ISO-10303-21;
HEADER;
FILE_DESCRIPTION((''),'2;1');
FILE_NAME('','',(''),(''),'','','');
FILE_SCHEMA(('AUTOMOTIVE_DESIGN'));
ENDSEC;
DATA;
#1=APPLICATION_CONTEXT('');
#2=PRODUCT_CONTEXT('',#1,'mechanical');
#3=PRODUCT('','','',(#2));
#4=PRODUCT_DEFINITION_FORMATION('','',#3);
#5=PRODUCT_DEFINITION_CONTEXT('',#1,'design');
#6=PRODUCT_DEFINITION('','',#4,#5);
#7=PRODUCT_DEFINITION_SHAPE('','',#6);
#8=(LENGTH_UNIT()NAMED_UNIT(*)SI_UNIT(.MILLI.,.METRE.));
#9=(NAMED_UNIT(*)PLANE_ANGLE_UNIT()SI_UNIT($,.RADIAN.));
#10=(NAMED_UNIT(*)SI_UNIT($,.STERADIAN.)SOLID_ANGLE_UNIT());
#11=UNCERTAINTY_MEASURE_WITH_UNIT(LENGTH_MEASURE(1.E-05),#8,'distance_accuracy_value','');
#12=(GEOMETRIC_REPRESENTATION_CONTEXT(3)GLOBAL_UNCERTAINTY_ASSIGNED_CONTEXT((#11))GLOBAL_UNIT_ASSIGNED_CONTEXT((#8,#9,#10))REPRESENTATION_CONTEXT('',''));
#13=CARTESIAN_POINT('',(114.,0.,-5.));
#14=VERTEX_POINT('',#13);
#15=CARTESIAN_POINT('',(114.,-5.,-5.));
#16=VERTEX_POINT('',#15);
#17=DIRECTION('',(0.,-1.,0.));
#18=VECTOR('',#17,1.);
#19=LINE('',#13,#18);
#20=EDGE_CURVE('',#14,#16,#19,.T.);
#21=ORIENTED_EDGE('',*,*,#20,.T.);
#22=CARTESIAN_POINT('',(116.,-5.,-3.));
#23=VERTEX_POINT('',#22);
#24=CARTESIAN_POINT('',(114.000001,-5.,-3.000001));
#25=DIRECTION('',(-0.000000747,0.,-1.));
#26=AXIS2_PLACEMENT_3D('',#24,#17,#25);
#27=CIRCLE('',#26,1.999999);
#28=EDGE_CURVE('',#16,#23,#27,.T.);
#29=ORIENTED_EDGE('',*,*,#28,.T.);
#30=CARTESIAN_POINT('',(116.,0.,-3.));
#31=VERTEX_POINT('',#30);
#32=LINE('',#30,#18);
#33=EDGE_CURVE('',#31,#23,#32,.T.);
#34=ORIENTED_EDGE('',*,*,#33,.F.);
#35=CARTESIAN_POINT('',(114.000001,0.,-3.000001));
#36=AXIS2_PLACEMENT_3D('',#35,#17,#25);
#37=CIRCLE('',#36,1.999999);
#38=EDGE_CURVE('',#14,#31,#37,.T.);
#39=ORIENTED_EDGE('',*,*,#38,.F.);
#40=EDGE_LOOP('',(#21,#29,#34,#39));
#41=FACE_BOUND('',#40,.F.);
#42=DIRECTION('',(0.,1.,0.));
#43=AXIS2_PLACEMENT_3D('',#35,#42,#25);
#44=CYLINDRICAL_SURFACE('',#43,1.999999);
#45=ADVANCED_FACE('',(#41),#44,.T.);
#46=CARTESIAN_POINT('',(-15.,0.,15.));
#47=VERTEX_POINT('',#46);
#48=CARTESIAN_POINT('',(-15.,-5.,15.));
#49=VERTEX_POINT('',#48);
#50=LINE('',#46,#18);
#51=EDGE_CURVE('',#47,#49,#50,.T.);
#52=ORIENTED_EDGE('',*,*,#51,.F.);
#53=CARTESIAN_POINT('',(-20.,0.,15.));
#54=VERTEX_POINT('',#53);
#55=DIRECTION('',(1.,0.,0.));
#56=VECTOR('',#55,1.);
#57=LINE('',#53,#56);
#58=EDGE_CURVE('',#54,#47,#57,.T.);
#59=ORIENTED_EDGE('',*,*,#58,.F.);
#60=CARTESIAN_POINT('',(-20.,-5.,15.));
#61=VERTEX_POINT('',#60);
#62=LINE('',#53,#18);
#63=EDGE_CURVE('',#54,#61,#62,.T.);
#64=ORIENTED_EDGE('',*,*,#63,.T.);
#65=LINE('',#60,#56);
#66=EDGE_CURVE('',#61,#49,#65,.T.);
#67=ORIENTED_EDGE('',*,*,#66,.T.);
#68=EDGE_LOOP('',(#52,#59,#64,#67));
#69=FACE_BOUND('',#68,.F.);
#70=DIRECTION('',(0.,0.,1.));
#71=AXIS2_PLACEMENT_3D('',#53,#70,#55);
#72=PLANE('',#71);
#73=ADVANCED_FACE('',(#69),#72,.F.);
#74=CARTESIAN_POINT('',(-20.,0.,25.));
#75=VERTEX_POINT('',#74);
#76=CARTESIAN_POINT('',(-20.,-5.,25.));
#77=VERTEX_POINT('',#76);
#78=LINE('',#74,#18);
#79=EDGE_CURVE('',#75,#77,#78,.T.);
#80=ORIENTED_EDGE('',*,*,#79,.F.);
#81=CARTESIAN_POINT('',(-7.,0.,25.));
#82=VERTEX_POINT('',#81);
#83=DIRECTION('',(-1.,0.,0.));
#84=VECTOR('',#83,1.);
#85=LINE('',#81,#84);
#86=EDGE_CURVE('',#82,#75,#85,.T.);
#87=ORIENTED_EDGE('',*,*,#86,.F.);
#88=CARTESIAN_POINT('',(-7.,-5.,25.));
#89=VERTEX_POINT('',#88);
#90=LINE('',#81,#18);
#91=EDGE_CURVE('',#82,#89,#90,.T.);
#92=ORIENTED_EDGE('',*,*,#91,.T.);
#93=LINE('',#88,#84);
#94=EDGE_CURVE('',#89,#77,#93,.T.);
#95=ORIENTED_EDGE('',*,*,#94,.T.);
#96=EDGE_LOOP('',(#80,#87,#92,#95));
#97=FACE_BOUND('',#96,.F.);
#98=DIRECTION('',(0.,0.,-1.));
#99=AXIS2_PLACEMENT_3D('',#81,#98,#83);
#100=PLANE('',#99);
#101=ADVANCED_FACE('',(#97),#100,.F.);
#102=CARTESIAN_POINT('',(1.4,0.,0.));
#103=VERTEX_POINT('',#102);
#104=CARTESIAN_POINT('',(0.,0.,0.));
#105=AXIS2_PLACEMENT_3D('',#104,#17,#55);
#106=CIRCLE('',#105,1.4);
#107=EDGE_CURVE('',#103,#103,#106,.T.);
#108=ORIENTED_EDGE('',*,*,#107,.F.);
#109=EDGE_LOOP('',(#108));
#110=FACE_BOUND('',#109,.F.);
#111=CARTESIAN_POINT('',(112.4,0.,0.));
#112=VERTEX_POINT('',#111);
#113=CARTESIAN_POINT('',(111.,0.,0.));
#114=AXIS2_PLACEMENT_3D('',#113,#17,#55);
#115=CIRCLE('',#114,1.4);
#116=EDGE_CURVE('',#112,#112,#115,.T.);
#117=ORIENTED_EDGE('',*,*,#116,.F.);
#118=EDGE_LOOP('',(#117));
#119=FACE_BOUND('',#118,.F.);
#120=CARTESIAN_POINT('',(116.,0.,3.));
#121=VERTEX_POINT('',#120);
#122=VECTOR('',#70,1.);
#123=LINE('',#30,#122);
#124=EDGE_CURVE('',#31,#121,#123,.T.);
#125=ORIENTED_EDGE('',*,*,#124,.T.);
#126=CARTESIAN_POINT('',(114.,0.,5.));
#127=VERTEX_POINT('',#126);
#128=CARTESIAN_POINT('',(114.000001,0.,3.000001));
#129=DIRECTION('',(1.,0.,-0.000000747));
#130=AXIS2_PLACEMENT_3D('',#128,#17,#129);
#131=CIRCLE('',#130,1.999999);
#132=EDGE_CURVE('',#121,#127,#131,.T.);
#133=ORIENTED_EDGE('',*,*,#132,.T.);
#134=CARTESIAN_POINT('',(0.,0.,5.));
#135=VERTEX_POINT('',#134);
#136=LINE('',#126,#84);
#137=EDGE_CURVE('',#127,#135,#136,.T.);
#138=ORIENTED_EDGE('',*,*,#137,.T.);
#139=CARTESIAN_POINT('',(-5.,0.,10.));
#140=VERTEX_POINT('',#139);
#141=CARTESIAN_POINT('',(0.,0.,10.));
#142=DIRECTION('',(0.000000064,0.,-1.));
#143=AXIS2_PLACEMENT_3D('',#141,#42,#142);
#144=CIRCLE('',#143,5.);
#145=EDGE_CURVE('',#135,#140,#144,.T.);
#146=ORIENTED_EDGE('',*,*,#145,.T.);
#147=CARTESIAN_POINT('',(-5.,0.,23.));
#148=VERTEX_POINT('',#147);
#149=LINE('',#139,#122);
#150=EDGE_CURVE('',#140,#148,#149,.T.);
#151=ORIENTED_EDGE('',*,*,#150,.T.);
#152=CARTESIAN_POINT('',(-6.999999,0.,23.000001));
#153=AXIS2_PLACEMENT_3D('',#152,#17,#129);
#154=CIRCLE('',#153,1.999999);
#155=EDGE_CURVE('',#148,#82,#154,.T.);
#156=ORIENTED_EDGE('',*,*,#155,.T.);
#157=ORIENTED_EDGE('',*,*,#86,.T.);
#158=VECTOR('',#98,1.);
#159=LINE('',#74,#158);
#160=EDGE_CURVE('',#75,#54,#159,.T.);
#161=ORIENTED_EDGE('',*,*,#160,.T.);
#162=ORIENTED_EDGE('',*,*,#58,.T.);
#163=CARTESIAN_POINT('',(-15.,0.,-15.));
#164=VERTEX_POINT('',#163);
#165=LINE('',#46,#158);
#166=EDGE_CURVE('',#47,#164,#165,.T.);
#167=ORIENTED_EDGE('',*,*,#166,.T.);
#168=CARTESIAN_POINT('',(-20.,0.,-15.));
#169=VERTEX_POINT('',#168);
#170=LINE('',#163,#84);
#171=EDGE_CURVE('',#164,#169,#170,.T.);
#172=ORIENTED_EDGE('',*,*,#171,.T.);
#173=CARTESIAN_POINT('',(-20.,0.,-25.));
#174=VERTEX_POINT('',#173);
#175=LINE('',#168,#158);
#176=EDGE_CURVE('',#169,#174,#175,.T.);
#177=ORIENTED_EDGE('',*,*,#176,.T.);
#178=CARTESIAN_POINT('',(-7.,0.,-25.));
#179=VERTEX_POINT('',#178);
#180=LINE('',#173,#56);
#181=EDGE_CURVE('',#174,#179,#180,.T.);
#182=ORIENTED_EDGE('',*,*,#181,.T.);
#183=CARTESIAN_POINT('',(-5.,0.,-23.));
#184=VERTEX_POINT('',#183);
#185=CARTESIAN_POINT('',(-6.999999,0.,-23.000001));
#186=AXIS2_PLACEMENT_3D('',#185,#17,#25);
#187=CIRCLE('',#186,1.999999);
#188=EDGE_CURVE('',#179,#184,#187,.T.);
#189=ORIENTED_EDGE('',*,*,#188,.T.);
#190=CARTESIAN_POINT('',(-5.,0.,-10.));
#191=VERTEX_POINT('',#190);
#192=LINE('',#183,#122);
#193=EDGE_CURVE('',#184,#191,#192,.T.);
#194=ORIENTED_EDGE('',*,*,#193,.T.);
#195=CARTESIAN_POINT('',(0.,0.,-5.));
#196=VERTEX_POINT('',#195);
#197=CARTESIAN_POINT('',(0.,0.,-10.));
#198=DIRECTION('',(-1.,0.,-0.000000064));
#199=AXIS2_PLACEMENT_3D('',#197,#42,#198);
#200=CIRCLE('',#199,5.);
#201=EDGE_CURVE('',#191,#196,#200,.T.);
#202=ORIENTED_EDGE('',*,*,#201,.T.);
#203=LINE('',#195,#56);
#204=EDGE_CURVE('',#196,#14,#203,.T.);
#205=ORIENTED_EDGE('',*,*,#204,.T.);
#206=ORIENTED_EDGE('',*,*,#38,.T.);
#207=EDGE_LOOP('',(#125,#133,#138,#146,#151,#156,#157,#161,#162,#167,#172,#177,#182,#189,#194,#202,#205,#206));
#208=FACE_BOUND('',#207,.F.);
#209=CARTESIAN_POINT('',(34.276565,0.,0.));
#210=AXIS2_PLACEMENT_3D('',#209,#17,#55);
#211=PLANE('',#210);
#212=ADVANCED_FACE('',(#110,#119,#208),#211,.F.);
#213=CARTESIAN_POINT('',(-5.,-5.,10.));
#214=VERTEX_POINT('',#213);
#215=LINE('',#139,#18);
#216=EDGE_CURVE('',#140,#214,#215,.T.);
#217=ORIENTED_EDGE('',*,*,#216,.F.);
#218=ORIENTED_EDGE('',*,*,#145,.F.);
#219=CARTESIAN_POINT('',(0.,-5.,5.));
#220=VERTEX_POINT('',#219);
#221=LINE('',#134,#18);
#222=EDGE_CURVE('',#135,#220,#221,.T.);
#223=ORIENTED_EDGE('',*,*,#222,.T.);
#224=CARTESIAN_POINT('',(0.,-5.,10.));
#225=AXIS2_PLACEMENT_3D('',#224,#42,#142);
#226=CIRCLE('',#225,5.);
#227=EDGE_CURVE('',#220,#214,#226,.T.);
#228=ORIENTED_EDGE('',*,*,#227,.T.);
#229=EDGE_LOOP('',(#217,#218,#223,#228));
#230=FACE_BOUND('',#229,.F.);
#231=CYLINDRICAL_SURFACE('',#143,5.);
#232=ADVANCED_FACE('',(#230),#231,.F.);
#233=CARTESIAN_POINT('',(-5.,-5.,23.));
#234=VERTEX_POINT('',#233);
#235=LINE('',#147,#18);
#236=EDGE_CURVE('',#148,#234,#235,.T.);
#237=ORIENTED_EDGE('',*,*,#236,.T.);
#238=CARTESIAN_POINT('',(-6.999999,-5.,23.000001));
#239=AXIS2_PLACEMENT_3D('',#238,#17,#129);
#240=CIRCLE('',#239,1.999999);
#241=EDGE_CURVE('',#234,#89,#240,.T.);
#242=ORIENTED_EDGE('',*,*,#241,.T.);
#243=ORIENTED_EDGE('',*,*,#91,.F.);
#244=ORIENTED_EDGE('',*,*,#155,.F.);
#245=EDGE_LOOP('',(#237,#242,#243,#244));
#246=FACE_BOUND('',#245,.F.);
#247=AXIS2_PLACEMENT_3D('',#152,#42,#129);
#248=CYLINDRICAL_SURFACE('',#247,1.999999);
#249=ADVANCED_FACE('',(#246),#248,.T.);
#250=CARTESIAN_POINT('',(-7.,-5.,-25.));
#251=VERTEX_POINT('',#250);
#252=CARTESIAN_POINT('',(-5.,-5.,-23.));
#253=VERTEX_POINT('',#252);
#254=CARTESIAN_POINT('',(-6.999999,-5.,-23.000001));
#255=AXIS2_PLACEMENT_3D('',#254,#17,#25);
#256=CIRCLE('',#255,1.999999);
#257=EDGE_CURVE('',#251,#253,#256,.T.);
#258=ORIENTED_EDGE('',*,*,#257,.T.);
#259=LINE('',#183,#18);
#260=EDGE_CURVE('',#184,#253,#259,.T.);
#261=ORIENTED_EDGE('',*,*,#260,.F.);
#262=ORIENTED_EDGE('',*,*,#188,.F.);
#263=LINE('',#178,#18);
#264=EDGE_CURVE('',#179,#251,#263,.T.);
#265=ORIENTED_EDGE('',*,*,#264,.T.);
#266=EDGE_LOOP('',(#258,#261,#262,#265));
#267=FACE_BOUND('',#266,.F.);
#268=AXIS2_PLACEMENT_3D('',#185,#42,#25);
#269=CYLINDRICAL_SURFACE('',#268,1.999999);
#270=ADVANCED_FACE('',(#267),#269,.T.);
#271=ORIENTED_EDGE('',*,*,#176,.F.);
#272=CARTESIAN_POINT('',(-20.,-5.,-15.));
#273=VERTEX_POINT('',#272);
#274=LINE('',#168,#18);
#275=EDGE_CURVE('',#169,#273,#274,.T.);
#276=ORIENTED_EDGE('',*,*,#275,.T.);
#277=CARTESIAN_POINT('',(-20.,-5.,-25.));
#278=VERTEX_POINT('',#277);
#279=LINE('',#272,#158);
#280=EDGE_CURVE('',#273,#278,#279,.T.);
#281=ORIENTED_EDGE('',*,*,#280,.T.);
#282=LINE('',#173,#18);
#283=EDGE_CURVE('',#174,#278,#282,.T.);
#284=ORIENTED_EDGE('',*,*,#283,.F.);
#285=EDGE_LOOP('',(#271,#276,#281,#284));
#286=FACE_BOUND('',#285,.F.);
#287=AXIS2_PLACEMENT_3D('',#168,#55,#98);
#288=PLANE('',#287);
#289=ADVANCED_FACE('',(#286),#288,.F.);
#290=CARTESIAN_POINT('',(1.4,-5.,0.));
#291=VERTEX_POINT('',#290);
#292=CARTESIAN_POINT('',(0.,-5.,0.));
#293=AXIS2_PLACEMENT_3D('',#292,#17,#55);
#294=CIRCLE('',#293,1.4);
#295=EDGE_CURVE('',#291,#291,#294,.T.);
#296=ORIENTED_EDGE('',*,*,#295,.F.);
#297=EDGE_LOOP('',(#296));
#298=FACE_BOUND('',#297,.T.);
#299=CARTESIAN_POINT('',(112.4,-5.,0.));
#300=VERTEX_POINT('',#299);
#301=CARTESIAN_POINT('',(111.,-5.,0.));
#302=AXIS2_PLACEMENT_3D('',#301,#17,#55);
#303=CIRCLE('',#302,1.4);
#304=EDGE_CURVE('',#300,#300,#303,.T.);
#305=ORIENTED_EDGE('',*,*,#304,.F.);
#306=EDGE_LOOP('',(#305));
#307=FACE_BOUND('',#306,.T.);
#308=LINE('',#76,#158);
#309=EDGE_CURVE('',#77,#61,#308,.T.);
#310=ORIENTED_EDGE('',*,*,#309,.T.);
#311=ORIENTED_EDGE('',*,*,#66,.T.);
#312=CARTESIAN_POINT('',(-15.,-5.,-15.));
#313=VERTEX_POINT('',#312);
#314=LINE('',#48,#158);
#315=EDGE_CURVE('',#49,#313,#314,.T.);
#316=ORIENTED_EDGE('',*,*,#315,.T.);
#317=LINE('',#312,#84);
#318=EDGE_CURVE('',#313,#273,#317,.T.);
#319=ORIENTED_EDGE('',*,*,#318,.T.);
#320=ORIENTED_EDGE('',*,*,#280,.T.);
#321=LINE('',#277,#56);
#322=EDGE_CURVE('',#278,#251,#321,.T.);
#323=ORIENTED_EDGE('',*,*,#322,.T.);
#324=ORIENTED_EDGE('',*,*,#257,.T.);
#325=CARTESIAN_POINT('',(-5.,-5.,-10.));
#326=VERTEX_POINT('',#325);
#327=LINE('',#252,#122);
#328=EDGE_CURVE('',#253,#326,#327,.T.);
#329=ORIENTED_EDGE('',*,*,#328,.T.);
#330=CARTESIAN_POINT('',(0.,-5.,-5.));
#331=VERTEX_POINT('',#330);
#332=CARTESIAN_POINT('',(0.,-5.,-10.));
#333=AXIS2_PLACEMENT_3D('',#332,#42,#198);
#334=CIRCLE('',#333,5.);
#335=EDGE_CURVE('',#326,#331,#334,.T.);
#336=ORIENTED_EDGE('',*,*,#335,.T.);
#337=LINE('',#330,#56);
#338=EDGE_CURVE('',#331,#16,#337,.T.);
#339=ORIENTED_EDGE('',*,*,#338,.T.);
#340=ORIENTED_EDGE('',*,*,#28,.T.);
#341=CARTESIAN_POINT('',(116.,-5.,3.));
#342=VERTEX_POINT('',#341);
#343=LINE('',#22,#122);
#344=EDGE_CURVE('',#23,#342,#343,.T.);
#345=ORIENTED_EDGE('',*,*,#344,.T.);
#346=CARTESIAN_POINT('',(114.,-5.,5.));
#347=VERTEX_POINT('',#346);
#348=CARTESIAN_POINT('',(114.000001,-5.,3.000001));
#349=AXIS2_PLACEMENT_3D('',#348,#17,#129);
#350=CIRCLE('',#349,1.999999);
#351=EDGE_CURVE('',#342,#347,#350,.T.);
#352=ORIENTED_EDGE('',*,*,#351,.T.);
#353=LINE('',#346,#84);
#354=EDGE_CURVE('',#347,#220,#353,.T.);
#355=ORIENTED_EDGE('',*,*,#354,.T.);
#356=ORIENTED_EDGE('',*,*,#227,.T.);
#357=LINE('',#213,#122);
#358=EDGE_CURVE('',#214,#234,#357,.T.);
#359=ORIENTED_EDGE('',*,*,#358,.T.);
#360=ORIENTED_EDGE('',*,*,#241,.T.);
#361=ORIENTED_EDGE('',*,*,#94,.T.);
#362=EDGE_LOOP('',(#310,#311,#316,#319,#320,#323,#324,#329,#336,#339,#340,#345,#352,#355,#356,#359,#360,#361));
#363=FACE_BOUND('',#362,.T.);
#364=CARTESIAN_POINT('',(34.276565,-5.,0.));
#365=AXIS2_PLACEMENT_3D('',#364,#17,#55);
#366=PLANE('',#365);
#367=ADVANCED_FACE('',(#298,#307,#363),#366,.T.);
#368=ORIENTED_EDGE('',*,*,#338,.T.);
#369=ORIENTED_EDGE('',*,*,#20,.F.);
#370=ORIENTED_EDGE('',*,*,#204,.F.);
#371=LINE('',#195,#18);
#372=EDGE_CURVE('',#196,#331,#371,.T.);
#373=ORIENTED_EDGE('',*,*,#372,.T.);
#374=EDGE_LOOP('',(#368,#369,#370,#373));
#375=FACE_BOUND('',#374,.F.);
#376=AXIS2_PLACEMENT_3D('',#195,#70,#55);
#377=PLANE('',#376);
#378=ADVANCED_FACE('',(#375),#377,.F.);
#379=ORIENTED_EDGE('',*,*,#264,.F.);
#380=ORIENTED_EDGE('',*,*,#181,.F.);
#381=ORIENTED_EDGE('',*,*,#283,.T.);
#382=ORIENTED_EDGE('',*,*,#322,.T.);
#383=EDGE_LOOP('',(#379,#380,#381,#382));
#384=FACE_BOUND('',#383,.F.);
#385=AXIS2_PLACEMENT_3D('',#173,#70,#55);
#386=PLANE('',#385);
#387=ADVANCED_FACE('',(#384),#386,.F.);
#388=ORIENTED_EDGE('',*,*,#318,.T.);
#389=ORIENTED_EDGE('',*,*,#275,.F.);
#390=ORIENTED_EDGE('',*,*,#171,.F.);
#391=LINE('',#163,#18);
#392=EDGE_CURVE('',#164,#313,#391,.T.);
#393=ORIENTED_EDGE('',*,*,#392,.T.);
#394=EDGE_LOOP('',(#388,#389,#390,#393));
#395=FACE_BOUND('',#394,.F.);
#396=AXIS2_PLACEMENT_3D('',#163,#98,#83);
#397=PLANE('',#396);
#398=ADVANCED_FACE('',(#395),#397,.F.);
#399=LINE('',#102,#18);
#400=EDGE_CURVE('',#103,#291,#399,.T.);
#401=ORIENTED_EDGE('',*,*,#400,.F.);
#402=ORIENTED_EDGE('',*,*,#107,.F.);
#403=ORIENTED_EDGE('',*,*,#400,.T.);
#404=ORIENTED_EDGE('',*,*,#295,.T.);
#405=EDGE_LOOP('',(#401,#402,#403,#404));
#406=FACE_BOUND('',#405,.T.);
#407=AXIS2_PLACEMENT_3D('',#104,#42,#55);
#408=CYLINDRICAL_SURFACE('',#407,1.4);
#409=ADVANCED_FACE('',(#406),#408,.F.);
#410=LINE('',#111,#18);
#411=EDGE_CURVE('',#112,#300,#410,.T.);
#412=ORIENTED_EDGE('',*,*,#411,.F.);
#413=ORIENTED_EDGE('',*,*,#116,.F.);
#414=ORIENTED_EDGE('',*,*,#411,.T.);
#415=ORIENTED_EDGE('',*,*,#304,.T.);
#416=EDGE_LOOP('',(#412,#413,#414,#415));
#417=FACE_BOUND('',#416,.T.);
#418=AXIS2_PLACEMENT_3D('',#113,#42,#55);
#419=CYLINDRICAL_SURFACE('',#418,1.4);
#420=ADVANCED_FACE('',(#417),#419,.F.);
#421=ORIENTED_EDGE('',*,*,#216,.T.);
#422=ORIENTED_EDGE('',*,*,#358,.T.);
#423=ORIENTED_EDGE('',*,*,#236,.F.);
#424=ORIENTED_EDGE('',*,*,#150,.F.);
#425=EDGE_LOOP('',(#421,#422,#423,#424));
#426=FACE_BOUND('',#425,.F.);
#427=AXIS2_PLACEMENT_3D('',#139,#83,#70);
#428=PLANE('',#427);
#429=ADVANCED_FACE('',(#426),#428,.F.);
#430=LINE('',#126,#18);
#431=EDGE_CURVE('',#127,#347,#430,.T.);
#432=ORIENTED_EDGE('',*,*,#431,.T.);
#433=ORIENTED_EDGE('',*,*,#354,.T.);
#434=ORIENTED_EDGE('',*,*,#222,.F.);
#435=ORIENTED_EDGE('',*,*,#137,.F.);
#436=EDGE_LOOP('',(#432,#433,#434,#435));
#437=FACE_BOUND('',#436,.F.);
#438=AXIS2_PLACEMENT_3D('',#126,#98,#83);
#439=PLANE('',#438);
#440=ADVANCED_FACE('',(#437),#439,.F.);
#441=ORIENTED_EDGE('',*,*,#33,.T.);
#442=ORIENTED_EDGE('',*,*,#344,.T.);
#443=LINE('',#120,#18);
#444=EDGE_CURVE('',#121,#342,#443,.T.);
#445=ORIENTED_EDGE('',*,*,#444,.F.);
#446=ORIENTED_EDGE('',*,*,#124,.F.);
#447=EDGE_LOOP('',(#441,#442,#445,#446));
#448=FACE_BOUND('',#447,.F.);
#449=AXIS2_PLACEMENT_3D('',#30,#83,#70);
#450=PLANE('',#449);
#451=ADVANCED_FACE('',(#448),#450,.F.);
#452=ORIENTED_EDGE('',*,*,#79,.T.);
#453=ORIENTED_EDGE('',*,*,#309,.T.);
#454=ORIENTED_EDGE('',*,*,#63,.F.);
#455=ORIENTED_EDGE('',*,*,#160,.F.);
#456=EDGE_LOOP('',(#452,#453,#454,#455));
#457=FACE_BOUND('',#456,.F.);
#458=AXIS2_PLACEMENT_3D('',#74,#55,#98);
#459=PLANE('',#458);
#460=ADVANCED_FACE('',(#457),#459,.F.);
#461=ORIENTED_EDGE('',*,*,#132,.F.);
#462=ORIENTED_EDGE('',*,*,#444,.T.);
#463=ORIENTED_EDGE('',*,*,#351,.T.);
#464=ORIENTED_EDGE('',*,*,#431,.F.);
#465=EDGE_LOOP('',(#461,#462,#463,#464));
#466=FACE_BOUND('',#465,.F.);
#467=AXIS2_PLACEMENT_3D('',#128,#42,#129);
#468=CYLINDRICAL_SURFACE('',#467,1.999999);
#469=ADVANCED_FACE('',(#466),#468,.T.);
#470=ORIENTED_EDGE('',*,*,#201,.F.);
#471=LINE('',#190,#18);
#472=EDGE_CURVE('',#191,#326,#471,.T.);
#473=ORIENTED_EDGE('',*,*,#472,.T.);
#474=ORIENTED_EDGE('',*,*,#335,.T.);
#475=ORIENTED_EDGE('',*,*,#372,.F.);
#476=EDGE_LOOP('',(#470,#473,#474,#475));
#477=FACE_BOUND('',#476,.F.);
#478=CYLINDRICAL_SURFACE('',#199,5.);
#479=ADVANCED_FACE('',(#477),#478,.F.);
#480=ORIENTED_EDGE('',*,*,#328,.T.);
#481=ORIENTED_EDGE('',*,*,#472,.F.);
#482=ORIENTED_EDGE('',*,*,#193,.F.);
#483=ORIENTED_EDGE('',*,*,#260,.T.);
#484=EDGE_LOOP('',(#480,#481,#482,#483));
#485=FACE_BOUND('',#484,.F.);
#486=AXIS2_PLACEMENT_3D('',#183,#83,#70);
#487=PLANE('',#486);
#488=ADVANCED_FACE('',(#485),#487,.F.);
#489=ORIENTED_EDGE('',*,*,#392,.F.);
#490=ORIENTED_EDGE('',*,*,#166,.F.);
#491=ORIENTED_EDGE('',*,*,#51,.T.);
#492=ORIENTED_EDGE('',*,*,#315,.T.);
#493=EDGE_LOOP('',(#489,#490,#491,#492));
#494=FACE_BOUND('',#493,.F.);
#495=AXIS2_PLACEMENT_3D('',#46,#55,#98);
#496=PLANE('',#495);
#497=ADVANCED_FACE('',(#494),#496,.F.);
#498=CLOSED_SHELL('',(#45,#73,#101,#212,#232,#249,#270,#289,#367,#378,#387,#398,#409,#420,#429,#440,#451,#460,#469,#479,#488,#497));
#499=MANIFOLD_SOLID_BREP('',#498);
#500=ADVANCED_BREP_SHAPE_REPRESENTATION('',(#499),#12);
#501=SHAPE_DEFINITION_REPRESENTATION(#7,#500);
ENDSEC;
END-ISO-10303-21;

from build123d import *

# Parameters (mm, degrees)
F0_R     = 1.4
F1_DEPTH = 5


with BuildPart() as f1:
    # F0 (on Front) → F1 (new body)
    with BuildSketch(Plane.XZ):
        with BuildLine():
            ThreePointArc((-5, -10), (-3.535534, -6.464466), (0, -5))
            Line((0, -5), (114, -5))
            ThreePointArc((114, -5), (115.414214, -4.414214), (116, -3))
            Line((116, -3), (116, 3))
            ThreePointArc((116, 3), (115.414214, 4.414214), (114, 5))
            Line((114, 5), (0, 5))
            ThreePointArc((0, 5), (-3.535534, 6.464466), (-5, 10))
            Line((-5, 10), (-5, 23))
            ThreePointArc((-5, 23), (-5.585786, 24.414214), (-7, 25))
            Line((-7, 25), (-15, 25))
            Line((-15, 25), (-20, 25))
            Line((-20, 25), (-20, 15))
            Line((-20, 15), (-15, 15))
            Line((-15, 15), (-15, -15))
            Line((-15, -15), (-20, -15))
            Line((-20, -15), (-20, -25))
            Line((-20, -25), (-15, -25))
            Line((-15, -25), (-7, -25))
            ThreePointArc((-7, -25), (-5.585786, -24.414214), (-5, -23))
            Line((-5, -23), (-5, -10))
        make_face()
        Circle(F0_R, mode=Mode.SUBTRACT)
        with Locations((111, 0)):
            Circle(F0_R, mode=Mode.SUBTRACT)
    extrude(amount=F1_DEPTH)


solid = f1.part
